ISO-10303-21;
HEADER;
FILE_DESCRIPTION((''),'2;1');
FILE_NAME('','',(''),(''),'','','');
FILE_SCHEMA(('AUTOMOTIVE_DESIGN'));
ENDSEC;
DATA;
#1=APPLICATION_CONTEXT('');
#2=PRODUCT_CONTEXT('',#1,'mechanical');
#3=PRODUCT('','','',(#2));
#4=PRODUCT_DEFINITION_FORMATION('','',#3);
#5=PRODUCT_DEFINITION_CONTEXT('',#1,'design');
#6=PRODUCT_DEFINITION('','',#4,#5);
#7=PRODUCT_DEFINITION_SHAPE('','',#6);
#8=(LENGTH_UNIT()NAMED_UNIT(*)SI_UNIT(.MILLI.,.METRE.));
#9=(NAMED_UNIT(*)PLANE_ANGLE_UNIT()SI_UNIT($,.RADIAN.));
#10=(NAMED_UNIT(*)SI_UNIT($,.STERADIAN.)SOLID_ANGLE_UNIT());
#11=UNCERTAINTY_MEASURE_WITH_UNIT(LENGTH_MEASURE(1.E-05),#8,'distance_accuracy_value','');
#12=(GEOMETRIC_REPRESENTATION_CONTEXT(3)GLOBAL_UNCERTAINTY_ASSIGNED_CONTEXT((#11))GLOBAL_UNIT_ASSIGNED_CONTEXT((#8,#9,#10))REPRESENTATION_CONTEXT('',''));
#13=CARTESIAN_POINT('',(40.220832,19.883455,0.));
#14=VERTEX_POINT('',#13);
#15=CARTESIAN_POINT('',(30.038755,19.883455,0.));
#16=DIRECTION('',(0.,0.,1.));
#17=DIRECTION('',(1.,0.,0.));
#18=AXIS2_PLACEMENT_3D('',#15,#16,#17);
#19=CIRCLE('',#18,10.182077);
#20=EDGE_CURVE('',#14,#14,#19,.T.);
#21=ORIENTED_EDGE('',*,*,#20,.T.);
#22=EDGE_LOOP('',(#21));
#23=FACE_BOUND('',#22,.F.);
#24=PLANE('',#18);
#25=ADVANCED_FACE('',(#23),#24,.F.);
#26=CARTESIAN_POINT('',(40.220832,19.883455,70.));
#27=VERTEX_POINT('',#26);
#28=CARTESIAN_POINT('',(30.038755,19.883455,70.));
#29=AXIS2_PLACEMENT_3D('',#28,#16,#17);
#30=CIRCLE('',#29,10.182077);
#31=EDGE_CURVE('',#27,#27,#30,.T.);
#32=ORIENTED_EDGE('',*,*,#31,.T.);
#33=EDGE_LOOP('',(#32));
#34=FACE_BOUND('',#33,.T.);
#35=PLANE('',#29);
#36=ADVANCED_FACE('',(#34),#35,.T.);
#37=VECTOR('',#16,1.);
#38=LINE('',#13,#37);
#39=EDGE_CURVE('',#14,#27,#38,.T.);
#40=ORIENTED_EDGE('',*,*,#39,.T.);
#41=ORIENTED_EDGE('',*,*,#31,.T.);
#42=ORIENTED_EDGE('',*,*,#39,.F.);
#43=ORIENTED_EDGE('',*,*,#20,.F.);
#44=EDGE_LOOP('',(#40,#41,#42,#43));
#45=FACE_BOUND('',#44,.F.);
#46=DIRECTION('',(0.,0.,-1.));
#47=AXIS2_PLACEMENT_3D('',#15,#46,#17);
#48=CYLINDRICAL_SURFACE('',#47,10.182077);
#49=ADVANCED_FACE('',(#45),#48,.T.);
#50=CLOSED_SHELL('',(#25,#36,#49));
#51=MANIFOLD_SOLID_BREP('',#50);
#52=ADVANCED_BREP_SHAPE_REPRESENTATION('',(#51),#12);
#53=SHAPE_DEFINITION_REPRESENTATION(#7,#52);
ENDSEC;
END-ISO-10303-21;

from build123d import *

# Parameters (mm, degrees)
SKETCH_R  = 10.182077
PAD_DEPTH = 70


with BuildPart() as part:
    # Sketch → Pad (new body)
    with BuildSketch(Plane.XY):
        with Locations((30.038755, 19.883455)):
            Circle(SKETCH_R)
    extrude(amount=PAD_DEPTH)


solid = part.part
